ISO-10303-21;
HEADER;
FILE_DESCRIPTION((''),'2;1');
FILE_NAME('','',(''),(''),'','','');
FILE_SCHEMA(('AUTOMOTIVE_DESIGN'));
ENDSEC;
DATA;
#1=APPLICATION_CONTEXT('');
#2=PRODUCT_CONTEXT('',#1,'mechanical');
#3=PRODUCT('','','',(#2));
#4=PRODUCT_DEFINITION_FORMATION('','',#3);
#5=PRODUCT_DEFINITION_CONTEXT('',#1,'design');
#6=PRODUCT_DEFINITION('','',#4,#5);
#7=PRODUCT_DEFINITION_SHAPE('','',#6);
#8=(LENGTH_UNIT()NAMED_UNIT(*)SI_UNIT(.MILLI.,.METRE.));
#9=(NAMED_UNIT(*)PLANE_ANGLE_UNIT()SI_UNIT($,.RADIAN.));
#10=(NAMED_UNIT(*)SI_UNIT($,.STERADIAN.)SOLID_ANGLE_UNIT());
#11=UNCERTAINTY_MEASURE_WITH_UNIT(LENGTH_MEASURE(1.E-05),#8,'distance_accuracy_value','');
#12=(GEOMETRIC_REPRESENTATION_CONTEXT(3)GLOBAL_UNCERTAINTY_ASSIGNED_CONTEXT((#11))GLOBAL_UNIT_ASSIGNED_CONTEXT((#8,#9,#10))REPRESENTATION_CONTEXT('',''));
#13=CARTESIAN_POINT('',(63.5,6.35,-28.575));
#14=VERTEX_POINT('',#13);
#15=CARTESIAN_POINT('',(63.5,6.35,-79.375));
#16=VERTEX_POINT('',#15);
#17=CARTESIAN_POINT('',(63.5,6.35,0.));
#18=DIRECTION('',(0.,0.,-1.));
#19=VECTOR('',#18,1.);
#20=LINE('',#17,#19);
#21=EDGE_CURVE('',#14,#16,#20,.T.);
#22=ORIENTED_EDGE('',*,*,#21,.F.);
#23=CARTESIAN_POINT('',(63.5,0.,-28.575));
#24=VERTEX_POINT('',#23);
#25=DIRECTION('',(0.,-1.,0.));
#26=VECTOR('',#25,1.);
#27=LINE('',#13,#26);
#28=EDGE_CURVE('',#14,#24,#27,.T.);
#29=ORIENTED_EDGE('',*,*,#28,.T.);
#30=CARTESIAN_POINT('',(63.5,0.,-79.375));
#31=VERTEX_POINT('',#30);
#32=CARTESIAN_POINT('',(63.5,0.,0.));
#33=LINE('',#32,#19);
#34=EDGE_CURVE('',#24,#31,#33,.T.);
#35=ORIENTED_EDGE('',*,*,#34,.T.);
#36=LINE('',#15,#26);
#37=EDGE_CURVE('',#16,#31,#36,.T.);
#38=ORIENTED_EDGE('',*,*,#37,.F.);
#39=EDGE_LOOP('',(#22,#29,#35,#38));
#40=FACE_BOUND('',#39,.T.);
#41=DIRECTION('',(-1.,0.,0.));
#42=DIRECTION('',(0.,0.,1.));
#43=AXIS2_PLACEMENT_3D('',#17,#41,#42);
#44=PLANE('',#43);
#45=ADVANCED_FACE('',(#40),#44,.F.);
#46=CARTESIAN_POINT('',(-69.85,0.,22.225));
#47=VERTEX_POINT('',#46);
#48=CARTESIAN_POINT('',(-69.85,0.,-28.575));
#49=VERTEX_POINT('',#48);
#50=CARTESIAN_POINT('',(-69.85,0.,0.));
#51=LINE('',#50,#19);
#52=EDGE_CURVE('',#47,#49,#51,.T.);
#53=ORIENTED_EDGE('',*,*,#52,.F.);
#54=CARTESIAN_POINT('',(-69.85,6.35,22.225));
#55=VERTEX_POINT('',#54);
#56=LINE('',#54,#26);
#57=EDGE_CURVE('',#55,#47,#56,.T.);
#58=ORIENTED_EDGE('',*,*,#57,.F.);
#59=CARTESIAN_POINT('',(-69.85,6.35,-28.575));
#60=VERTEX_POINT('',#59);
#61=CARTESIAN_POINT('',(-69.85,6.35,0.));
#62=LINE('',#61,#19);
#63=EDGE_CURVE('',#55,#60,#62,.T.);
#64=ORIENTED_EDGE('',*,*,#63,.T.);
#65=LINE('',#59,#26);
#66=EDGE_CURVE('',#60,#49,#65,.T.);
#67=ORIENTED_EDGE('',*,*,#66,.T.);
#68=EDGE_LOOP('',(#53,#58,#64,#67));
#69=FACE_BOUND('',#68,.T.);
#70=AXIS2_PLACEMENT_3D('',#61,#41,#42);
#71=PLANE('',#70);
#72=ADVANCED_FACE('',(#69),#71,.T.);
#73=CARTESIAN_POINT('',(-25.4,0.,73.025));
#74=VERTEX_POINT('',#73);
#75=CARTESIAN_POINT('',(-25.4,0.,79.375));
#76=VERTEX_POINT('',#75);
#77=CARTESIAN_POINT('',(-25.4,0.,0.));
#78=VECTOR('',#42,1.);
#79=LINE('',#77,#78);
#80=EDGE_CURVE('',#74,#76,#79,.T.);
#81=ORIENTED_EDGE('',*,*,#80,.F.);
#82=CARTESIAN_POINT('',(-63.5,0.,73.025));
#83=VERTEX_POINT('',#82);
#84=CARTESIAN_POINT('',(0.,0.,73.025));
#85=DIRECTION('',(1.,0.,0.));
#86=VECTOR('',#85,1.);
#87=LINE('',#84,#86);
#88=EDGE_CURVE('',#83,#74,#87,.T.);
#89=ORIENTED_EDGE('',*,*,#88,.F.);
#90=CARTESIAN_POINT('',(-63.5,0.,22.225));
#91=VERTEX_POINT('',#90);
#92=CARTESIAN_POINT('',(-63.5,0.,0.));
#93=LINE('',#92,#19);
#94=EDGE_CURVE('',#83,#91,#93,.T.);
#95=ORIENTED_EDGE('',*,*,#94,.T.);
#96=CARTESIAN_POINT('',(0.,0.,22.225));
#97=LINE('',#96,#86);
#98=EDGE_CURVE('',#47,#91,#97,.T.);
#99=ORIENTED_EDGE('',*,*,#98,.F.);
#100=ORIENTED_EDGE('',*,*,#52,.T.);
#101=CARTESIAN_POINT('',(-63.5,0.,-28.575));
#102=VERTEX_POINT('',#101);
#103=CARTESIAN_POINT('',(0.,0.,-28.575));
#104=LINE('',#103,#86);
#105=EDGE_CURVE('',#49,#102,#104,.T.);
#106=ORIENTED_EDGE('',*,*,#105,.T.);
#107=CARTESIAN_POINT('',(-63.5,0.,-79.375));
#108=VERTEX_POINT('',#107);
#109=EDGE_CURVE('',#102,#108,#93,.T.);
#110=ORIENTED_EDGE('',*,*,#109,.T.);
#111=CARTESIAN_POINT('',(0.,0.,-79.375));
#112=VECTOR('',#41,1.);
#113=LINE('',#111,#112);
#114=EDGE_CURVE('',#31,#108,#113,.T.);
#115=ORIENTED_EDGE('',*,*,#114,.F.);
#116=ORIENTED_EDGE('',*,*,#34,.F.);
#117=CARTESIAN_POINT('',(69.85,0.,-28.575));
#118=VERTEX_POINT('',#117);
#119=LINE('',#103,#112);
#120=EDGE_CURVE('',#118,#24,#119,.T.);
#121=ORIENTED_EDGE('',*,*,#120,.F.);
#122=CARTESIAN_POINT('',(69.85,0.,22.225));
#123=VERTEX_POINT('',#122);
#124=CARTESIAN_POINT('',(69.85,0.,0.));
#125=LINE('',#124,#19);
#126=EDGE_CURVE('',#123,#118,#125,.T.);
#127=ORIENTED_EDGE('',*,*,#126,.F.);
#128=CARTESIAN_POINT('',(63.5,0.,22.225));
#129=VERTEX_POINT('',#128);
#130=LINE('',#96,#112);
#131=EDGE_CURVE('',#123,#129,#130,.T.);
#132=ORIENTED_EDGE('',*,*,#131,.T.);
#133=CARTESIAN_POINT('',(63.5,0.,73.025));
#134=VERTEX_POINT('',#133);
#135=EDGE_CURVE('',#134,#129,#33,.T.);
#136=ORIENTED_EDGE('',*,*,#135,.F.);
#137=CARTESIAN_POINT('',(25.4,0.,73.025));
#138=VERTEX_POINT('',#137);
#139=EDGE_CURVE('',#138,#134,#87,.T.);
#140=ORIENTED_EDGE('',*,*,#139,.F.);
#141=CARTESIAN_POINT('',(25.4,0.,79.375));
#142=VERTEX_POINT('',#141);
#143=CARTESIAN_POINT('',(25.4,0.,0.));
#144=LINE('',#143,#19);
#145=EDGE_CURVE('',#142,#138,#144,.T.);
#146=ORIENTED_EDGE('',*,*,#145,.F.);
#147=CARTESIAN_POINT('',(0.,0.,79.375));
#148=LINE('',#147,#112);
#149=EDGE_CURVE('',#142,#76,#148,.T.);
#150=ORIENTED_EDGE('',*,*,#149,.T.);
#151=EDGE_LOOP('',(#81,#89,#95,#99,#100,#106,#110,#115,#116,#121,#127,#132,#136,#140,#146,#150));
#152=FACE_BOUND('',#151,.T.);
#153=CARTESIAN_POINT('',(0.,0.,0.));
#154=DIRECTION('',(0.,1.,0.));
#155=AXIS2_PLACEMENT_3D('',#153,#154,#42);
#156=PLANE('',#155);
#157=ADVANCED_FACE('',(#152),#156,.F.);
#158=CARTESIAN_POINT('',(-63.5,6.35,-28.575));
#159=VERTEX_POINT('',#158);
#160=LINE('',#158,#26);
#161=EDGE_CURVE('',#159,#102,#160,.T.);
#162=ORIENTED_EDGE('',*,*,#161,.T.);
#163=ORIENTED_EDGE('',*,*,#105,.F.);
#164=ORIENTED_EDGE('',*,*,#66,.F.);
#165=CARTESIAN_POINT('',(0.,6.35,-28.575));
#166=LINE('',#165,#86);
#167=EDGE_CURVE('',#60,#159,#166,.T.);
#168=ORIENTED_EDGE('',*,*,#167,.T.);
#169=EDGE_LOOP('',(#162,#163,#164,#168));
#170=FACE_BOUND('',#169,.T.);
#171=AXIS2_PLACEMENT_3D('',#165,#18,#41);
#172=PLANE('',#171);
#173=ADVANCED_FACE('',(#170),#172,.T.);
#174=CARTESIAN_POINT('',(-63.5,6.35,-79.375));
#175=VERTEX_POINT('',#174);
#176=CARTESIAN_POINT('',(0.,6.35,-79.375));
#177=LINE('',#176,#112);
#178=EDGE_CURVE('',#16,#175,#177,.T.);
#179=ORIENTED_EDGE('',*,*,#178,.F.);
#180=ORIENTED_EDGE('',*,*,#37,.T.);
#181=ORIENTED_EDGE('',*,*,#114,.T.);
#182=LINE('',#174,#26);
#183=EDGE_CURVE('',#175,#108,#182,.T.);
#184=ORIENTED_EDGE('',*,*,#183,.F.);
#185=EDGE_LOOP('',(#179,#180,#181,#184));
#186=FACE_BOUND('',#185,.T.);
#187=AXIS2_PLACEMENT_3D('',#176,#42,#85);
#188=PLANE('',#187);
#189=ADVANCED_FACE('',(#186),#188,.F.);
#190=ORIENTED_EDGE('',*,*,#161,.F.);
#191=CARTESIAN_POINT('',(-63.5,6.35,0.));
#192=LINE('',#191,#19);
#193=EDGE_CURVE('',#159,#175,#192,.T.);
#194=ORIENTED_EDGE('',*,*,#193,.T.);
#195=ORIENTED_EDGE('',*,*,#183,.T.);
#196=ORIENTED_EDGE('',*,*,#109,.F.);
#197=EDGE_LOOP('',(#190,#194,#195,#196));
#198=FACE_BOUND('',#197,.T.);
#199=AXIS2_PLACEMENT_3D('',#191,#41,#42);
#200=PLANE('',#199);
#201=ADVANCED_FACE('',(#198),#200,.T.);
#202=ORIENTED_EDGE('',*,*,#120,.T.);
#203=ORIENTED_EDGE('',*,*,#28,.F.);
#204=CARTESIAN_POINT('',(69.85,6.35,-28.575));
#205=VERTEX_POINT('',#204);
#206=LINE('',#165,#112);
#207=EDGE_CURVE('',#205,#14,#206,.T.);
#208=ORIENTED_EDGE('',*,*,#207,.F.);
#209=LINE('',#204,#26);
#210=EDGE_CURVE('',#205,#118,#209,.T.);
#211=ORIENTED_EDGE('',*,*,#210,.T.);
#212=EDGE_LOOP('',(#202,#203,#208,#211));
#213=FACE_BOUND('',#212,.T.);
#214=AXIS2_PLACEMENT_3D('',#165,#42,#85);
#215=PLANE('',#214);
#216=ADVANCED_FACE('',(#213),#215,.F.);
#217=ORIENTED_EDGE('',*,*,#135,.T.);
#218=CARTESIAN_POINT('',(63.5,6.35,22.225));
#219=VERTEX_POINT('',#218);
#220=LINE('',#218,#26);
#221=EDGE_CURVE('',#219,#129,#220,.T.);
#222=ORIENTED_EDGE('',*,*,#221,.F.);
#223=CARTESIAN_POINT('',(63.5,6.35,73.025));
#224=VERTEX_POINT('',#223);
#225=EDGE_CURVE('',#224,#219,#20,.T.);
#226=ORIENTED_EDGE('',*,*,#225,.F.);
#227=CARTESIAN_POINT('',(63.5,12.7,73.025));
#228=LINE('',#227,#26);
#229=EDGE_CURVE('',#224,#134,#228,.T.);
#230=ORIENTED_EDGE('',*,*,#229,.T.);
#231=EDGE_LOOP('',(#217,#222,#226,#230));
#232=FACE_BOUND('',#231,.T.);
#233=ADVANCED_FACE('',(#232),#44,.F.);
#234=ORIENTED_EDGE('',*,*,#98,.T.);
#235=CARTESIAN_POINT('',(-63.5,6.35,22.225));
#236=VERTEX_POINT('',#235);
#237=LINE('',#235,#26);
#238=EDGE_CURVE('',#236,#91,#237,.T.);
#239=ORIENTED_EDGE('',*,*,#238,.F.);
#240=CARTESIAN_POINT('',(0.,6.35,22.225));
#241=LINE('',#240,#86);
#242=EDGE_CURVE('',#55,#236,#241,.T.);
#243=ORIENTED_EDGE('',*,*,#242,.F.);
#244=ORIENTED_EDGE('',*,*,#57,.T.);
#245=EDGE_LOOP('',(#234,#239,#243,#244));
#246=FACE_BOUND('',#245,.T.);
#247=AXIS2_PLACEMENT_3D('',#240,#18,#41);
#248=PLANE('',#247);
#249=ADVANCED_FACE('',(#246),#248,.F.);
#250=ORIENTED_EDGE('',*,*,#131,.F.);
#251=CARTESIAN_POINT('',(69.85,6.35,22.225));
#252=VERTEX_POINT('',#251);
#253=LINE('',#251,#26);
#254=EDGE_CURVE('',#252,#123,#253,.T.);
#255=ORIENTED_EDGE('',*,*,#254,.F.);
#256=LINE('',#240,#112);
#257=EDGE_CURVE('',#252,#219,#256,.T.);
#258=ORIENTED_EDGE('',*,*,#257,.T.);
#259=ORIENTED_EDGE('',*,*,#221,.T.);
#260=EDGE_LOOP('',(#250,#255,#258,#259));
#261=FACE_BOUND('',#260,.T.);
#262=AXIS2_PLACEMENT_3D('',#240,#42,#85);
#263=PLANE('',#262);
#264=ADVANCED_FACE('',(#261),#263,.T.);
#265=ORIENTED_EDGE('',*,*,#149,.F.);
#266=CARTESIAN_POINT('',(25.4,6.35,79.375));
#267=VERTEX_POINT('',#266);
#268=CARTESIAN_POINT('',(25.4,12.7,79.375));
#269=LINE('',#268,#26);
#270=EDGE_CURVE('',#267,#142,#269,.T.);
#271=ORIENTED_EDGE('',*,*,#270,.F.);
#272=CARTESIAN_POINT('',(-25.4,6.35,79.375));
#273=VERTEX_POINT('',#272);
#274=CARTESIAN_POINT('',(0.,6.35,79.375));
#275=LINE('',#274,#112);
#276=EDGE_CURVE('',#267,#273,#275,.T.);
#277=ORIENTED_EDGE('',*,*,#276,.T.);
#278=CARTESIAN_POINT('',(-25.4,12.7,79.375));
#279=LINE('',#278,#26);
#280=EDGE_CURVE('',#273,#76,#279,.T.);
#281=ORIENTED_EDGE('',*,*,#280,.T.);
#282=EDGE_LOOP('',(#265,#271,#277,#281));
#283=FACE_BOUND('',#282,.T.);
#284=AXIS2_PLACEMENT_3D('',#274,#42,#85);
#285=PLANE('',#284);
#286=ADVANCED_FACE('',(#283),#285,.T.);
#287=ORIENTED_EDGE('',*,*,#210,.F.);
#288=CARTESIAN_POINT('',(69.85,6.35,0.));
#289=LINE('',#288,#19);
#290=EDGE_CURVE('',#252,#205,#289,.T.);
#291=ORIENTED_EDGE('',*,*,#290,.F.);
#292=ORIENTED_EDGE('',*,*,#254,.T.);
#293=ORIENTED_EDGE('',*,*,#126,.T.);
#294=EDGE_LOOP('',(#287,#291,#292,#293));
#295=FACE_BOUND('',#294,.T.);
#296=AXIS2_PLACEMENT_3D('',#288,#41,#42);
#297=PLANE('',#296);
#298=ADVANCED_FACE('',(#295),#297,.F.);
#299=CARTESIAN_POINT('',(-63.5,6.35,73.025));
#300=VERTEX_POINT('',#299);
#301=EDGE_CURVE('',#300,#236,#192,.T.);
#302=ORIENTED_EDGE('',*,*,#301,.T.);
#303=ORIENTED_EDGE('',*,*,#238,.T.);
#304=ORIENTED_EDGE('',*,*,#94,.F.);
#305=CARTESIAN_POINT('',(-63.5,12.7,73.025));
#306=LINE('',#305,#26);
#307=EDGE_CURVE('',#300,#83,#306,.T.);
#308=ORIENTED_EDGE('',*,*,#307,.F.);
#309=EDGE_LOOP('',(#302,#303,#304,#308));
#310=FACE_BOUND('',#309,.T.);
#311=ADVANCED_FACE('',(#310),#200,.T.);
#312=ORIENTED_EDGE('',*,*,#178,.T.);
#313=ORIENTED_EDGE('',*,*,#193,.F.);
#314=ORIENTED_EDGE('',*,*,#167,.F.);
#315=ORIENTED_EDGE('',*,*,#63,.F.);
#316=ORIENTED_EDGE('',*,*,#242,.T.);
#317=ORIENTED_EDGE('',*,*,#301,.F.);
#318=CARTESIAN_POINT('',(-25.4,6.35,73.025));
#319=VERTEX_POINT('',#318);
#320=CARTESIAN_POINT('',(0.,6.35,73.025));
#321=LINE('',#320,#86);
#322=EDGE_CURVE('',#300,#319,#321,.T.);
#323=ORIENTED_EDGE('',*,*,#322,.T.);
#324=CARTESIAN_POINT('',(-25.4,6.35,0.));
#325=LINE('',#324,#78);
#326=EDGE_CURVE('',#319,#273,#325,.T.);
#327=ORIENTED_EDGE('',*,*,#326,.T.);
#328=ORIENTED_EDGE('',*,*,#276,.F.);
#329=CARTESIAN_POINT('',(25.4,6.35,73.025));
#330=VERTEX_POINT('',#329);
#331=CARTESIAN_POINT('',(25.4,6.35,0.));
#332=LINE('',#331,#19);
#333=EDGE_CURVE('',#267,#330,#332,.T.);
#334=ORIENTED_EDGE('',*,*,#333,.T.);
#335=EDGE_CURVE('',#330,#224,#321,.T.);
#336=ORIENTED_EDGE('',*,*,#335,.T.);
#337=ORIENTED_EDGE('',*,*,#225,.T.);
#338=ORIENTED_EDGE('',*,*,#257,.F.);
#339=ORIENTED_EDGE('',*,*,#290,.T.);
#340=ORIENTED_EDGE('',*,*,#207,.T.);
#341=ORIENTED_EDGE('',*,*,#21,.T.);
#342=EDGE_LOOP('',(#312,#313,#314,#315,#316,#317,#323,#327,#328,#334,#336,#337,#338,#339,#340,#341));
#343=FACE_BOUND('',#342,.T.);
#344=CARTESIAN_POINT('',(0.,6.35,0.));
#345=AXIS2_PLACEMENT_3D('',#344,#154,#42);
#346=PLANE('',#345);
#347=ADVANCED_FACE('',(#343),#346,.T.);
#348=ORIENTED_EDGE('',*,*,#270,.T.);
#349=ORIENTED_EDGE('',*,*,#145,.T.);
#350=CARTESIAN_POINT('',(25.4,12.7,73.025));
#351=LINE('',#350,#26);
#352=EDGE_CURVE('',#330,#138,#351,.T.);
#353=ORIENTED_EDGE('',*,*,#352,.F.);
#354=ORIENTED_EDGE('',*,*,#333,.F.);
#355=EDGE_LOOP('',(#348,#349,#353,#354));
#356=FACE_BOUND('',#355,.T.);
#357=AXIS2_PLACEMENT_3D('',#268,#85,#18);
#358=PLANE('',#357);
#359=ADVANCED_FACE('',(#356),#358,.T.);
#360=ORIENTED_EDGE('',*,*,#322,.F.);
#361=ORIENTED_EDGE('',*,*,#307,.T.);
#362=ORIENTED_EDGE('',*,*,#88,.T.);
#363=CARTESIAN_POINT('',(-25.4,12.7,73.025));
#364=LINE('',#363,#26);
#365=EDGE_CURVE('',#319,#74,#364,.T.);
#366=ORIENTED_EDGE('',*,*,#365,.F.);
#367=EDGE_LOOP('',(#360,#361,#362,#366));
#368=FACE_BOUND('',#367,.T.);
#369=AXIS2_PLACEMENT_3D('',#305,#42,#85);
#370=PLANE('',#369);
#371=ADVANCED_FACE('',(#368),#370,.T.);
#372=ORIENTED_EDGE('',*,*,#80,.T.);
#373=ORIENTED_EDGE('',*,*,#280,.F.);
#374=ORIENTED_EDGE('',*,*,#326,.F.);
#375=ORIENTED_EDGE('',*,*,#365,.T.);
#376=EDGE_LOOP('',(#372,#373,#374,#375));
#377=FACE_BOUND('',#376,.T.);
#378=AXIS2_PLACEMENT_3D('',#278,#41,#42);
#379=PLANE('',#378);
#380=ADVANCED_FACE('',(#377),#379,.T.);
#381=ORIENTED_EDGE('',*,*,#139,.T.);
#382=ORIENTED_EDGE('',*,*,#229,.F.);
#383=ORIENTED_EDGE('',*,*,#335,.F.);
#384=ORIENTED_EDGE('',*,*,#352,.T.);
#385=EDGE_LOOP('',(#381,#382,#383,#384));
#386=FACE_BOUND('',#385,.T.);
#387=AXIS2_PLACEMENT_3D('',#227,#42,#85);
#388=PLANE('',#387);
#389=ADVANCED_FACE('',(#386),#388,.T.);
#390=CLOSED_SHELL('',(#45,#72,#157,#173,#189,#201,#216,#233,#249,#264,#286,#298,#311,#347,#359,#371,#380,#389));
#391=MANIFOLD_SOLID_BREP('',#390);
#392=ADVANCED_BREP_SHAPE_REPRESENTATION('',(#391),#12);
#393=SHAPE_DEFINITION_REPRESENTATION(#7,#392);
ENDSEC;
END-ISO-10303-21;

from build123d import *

# Parameters (mm, degrees)
BOSS_EXTRUDE1_DEPTH     = 6.35
SKETCH2_W               = 38.1
SKETCH2_H               = 6.35
CUT_EXTRUDE1_DEPTH      = 6.35
CUT_EXTRUDE1_DEPTH_BACK = 13.97


with BuildPart() as part:
    # Sketch1 → Boss-Extrude1 (new body)
    with BuildSketch(Plane(origin=(0, 0, 0), x_dir=(1, 0, 0), z_dir=(0, 1, 0))):
        Polygon((-63.5, -79.375), (63.5, -79.375), (63.5, -22.225), (69.85, -22.225), (69.85, 28.575), (63.5, 28.575), (63.5, 79.375), (-63.5, 79.375), (-63.5, 28.575), (-69.85, 28.575), (-69.85, -22.225), (-63.5, -22.225), align=None)
    extrude(amount=BOSS_EXTRUDE1_DEPTH)

    # Sketch2 → Cut-Extrude1 (cut, two sides)
    with BuildSketch(Plane(origin=(0, 6.35, 0), x_dir=(1, 0, 0), z_dir=(0, 1, 0))) as cut_extrude1_sk:
        with Locations((-44.45, -76.2)):
            Rectangle(SKETCH2_W, SKETCH2_H)
        with Locations((44.45, -76.2)):
            Rectangle(SKETCH2_W, SKETCH2_H)
    extrude(amount=CUT_EXTRUDE1_DEPTH, mode=Mode.SUBTRACT)
    extrude(cut_extrude1_sk.sketch, amount=-CUT_EXTRUDE1_DEPTH_BACK, mode=Mode.SUBTRACT)


solid = part.part
